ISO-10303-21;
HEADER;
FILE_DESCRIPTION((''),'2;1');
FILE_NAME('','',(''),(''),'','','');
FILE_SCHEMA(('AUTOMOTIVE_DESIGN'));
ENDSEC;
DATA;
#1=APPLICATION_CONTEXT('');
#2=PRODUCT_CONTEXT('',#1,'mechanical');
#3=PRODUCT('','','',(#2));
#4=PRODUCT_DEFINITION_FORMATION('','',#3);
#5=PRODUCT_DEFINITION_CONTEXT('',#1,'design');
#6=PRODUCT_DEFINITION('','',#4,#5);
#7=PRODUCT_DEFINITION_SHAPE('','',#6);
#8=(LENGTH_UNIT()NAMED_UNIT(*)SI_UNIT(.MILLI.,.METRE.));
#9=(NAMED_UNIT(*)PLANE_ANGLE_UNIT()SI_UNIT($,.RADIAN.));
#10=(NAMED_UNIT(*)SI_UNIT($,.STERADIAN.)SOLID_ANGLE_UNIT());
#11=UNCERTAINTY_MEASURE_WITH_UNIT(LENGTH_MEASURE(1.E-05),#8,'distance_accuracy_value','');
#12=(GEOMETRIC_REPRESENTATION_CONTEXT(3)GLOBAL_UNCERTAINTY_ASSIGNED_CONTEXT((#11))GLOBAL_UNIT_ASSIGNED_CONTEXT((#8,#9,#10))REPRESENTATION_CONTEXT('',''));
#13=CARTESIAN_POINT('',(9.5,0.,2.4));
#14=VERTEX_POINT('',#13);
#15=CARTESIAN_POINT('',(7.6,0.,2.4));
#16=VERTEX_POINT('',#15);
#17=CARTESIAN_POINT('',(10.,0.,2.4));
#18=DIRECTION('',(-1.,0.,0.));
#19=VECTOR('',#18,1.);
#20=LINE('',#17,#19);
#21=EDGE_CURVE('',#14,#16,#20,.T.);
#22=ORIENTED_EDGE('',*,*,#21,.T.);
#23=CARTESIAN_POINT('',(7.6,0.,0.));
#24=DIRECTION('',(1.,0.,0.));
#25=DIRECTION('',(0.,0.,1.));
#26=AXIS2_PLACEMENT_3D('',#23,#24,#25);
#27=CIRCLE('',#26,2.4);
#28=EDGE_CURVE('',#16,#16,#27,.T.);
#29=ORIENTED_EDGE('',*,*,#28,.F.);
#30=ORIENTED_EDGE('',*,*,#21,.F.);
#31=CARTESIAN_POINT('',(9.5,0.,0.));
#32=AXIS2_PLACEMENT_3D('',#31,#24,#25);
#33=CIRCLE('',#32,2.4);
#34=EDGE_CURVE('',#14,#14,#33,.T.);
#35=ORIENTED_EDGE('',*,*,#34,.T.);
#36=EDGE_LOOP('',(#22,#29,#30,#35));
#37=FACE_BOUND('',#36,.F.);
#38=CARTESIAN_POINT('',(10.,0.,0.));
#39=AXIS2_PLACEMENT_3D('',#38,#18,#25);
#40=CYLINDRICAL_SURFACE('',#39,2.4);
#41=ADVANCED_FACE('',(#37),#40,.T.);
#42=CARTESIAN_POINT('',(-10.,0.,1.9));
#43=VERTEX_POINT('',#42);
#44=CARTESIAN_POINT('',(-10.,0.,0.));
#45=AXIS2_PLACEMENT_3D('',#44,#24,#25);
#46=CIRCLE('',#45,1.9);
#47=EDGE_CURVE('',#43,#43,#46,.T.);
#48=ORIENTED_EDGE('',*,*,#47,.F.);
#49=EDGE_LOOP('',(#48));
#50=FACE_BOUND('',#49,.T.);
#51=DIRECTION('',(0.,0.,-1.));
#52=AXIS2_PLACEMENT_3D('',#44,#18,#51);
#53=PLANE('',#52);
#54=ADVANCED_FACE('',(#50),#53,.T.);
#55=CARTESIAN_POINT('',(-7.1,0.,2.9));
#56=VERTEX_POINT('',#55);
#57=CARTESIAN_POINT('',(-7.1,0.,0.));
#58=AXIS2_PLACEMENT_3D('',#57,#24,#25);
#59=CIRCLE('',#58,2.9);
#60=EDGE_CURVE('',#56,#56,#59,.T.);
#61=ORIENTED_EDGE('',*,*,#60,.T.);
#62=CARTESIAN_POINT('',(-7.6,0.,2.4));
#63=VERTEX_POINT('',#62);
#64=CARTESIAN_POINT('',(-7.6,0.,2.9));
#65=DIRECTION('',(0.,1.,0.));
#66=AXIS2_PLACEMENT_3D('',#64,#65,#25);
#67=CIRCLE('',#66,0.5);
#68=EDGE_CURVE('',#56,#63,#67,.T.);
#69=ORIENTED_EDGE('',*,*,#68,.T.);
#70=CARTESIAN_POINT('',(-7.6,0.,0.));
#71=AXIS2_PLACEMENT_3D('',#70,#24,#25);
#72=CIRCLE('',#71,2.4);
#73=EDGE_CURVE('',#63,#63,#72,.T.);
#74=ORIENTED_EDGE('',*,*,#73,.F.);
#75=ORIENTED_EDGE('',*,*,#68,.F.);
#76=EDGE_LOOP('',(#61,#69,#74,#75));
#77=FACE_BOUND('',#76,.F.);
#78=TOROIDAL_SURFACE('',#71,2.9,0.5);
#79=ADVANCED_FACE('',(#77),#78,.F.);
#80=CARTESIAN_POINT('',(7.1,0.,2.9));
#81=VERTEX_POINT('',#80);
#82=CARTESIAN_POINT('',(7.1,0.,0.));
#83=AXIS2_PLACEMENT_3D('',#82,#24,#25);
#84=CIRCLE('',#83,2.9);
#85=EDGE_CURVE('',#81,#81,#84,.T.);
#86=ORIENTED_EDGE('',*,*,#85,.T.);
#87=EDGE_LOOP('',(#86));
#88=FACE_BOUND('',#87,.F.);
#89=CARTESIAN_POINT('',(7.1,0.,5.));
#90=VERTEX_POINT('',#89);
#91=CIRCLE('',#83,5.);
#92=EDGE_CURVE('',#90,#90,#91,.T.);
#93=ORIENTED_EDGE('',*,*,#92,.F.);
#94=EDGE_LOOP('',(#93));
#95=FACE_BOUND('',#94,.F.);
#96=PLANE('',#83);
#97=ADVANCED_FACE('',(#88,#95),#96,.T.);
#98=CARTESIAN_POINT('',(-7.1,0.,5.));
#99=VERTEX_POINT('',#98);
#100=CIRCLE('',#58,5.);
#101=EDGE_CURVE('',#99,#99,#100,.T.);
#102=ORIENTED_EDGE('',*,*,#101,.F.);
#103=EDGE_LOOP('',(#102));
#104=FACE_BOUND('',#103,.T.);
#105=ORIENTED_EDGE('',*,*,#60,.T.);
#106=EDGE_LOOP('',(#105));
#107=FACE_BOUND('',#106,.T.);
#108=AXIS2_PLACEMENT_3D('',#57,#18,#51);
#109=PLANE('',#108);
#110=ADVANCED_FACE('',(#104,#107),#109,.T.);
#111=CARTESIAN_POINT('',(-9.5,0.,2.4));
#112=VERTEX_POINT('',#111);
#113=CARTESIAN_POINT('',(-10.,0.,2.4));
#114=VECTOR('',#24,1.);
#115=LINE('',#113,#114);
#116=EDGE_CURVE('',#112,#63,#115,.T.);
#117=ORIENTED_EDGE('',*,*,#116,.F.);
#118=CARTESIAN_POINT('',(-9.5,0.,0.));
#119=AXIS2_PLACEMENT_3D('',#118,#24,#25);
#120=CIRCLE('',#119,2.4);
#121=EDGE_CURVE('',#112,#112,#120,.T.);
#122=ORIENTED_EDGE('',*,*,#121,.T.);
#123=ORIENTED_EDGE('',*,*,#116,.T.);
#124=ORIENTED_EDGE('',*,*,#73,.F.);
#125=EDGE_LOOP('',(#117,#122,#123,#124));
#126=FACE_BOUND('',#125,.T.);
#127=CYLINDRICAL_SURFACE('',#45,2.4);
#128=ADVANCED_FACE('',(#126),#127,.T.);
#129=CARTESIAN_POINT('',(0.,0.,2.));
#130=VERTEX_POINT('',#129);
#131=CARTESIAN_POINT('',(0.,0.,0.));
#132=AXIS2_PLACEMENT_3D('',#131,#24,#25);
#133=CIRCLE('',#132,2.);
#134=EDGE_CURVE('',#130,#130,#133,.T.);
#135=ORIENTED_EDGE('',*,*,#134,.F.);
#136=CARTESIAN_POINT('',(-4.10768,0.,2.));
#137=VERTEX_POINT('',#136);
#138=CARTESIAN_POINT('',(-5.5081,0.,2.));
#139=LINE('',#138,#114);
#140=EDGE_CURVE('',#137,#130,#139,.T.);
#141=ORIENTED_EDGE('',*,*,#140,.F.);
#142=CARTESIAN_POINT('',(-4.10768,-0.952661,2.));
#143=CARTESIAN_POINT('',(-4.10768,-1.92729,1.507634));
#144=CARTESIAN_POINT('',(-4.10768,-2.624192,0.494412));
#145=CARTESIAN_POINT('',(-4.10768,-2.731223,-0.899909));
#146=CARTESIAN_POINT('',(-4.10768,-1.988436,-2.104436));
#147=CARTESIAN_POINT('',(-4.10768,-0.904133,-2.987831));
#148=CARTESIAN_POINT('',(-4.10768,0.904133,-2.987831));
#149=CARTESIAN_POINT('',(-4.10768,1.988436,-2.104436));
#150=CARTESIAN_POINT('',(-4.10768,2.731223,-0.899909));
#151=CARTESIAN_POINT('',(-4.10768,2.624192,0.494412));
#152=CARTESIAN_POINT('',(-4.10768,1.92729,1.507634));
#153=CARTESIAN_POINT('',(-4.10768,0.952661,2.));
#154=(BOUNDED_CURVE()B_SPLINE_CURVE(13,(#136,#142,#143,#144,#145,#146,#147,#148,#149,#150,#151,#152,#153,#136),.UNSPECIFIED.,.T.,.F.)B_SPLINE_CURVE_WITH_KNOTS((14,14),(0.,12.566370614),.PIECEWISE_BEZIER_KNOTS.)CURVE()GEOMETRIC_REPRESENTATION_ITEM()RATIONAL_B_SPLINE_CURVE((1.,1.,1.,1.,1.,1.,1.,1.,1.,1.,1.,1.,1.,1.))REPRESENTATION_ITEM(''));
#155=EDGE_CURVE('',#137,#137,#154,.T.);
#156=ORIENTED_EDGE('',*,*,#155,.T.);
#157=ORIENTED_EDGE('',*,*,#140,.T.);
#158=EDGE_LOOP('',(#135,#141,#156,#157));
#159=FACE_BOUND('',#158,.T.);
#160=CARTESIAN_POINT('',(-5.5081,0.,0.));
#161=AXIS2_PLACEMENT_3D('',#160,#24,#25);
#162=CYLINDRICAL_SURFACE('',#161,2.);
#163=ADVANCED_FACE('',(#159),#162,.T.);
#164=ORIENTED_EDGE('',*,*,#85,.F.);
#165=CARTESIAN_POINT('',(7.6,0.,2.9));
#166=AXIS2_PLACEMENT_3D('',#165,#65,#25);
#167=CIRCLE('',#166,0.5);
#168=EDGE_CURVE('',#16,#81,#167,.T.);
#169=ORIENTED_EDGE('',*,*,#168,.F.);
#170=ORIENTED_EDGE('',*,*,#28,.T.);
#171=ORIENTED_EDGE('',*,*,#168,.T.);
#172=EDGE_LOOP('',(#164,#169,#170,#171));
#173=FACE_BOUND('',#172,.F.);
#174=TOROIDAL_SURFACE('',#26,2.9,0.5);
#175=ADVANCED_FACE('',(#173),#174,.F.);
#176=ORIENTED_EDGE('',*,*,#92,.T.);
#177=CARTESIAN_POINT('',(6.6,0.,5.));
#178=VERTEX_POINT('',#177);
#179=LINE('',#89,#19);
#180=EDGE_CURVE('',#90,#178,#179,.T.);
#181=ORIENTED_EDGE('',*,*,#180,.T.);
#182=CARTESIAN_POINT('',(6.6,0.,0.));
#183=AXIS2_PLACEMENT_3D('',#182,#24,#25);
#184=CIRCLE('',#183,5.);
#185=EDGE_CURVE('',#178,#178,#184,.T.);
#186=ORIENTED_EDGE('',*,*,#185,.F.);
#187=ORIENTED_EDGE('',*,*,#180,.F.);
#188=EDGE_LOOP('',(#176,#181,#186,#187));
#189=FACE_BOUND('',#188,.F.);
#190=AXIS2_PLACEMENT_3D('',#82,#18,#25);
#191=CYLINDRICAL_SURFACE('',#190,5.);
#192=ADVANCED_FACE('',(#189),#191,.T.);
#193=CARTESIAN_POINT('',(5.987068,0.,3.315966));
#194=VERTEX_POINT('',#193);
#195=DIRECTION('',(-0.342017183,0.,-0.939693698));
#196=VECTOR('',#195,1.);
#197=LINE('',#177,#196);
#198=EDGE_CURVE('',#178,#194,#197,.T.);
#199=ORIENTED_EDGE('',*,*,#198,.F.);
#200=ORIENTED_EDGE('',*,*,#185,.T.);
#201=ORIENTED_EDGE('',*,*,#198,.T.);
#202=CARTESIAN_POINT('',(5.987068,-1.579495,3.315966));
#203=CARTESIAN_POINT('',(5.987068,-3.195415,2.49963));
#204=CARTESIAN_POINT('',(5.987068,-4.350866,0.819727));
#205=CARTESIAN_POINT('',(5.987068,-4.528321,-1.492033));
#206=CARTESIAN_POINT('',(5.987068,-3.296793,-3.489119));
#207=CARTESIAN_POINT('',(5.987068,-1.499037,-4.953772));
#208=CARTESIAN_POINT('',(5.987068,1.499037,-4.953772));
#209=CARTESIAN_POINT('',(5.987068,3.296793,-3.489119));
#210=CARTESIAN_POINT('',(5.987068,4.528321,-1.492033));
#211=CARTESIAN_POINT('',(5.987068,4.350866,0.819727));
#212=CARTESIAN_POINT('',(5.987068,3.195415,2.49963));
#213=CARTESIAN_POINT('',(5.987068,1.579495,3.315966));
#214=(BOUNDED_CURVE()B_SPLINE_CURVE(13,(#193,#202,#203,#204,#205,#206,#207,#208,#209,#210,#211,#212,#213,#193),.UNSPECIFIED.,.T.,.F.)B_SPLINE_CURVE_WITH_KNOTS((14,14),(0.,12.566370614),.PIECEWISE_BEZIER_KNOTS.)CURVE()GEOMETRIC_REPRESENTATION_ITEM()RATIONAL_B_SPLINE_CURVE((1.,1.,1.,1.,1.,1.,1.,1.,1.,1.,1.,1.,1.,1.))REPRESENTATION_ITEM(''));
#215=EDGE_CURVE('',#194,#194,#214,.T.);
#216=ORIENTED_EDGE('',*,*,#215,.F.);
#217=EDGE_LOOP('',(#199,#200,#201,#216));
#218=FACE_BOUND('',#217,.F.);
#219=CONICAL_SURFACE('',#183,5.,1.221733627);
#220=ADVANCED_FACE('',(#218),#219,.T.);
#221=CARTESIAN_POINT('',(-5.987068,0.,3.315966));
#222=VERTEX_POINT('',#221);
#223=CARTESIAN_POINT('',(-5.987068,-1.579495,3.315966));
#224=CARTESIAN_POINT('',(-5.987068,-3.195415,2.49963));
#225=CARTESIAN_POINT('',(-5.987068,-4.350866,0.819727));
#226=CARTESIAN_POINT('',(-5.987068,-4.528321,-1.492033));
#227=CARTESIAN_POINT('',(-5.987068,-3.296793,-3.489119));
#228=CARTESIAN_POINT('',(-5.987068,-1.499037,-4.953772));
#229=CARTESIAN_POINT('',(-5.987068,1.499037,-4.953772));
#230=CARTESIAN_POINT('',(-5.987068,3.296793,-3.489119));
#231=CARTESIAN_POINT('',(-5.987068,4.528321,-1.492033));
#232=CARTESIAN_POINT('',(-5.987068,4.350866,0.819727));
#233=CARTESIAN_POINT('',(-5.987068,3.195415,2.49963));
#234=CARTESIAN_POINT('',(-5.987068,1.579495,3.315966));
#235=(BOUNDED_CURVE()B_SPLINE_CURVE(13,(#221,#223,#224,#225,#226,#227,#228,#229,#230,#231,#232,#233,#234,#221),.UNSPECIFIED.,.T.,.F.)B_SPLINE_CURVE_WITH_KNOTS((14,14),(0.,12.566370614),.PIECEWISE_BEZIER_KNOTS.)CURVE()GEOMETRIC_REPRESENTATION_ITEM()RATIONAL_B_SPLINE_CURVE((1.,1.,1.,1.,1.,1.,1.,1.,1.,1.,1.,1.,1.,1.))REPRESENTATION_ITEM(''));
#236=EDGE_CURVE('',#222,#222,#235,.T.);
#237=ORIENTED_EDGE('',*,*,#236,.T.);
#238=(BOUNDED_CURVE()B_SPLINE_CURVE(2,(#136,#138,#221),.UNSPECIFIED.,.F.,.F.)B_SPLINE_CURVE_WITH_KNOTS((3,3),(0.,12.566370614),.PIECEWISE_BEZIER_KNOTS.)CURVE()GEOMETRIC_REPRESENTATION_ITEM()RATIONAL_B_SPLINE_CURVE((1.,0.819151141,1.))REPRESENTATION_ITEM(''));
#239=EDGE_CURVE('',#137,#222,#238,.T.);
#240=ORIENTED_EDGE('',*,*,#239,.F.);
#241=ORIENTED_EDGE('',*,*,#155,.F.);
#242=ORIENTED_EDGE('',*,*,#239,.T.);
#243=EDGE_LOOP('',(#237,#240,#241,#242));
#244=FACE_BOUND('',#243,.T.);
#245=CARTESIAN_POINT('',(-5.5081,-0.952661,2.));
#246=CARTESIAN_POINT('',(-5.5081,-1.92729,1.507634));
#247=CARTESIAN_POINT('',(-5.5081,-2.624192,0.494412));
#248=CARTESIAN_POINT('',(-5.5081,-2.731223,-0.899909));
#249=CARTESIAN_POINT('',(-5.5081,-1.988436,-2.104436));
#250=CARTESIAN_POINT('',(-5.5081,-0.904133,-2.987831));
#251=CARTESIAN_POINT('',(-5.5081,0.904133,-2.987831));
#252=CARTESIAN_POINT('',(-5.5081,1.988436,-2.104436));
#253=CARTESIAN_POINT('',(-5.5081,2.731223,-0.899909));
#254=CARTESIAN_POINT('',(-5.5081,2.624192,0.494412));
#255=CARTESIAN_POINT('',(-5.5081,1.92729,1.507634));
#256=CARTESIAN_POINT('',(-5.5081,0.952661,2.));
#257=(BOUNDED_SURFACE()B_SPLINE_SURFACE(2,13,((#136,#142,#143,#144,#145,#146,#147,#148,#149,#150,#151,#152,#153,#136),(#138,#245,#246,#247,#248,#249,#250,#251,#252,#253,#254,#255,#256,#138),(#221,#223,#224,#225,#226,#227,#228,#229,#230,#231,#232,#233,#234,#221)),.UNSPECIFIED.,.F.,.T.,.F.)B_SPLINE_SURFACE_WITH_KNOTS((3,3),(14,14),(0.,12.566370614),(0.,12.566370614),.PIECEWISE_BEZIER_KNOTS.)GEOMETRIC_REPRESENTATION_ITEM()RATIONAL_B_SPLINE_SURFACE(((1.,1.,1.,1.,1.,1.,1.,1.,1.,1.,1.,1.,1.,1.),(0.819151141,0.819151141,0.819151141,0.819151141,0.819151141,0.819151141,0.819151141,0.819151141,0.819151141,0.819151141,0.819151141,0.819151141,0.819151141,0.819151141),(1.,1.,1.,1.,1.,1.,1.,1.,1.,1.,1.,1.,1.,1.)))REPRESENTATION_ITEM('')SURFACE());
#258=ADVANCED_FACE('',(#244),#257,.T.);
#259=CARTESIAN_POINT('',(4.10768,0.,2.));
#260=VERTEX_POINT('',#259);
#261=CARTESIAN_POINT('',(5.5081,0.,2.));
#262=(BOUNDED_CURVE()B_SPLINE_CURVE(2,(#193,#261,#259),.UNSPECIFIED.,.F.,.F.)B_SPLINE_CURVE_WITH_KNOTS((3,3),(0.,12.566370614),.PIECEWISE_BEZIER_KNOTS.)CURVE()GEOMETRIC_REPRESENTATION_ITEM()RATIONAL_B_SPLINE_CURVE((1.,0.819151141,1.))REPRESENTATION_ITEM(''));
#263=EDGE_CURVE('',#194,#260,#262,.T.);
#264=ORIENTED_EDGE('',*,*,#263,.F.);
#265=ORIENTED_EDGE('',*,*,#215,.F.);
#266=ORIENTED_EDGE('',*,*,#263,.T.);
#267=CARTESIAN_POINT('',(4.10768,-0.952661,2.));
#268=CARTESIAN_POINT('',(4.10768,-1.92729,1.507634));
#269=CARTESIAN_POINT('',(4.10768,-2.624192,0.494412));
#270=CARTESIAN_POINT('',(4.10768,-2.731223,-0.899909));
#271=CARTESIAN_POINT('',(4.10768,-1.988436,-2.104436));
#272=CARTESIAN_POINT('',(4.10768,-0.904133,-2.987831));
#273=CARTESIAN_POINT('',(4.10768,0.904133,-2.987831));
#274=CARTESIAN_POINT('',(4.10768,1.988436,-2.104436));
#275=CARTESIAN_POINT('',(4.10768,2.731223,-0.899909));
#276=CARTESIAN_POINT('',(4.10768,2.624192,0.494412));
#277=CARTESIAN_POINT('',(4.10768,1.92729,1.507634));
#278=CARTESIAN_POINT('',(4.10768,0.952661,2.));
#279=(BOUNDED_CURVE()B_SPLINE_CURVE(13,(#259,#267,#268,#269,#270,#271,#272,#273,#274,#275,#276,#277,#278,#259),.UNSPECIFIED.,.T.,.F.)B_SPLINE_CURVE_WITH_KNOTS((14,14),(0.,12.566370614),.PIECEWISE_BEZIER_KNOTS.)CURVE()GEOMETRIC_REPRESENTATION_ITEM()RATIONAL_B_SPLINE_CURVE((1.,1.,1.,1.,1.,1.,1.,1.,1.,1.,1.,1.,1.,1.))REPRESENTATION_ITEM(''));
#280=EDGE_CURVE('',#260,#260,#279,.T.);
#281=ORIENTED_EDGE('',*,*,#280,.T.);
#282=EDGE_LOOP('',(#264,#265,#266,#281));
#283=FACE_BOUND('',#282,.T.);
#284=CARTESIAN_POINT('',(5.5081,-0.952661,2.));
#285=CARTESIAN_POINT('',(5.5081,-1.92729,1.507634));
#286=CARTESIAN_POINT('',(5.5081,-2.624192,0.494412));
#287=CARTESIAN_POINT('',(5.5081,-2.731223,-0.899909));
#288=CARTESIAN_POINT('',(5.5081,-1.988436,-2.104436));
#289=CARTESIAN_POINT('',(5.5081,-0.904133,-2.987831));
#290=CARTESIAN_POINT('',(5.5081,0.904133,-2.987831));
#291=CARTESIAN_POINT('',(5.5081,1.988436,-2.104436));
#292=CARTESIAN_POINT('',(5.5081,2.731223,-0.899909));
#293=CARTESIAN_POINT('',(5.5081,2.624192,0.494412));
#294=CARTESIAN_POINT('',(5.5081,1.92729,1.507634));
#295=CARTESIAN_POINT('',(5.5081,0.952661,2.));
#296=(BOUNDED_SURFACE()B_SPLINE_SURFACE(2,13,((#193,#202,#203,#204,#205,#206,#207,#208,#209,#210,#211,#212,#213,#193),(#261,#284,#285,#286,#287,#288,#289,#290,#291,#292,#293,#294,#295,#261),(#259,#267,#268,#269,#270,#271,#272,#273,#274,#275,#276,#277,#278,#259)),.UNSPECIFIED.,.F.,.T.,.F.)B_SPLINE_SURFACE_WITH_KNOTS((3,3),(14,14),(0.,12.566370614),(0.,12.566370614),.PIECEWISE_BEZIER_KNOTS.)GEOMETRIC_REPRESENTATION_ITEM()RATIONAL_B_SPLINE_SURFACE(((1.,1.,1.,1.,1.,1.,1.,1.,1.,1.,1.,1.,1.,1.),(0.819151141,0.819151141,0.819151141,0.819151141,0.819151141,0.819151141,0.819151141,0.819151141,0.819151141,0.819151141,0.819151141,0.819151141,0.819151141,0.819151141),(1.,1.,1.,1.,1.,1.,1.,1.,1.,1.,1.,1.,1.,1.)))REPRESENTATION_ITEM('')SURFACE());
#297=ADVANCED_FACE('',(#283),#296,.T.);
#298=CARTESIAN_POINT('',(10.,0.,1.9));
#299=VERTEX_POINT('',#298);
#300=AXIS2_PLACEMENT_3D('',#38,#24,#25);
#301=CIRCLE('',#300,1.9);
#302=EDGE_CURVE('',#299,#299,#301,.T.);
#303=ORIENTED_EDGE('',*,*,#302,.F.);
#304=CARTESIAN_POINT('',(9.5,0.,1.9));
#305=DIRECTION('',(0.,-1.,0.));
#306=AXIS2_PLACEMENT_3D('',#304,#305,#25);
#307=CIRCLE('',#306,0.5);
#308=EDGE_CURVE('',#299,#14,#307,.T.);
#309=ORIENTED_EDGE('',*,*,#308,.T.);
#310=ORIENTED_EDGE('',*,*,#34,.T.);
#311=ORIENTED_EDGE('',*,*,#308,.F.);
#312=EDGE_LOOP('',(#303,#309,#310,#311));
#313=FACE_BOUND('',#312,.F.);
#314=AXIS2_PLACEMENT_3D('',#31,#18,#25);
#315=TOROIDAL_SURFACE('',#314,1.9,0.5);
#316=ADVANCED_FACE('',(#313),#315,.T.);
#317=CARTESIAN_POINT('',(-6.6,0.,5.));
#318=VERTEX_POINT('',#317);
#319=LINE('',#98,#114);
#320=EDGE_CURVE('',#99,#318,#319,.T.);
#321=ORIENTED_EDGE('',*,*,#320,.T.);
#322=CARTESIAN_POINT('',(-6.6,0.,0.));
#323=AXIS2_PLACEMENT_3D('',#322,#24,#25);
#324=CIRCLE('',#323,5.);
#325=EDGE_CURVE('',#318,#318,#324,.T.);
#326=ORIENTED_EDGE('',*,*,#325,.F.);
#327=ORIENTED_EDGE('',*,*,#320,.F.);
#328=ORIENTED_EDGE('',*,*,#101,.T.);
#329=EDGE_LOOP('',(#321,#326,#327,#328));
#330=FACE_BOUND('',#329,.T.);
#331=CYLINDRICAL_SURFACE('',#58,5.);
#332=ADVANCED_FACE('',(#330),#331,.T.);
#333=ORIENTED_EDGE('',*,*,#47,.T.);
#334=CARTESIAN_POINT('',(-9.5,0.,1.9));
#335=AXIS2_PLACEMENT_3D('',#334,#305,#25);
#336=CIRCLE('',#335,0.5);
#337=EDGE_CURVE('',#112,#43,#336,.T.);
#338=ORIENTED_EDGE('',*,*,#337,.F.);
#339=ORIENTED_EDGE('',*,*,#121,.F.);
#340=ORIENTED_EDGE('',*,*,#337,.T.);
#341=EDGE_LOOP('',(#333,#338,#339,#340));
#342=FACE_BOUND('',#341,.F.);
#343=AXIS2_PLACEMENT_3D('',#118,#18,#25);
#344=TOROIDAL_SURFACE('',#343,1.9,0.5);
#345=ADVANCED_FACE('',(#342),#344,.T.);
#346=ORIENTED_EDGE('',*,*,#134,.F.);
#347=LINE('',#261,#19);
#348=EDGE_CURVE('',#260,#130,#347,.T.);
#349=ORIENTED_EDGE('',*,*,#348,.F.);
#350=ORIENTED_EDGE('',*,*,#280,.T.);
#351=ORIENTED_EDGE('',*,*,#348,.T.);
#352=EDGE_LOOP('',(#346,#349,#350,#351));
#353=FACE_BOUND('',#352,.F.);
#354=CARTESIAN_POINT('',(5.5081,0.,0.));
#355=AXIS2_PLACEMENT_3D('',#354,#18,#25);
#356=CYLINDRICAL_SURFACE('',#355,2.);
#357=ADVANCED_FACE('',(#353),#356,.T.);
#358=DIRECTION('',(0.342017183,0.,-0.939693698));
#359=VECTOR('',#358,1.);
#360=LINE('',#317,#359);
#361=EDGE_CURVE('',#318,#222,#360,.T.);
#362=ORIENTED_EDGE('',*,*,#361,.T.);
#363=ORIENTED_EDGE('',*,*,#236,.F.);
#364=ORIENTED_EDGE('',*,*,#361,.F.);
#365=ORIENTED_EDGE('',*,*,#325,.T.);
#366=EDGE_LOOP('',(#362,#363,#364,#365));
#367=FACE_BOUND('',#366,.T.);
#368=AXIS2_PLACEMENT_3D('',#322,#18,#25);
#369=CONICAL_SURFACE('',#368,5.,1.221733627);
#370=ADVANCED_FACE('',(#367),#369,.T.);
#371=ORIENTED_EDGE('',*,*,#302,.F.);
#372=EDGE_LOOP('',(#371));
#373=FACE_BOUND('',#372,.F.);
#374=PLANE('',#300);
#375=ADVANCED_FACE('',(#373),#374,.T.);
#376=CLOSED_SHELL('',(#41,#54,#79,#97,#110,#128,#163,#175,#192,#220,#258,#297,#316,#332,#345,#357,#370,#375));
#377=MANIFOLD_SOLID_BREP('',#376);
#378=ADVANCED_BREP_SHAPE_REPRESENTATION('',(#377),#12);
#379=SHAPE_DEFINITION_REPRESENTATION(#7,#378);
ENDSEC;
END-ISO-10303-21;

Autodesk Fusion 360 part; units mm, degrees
sketch "Sketch1" plane through (0, 0, 0) normal (0, 1, 0) x (1, 0, 0)
  line L0 (0, 0) -> (10, 0)
  line L1 (10, 0) -> (10, -2.4)
  line L2 (10, -2.4) -> (7.1, -2.4)
  line L3 (7.1, -2.4) -> (7.1, -5)
  line L4 (7.1, -5) -> (6.6, -5)
  line L5 (6.6, -5) -> (5.5081, -2)
  line L6 (5.5081, -2) -> (0, -2)
  line L7 (0, -2) -> (0, 0)
  dimension "d1" = 2.4
  dimension "d6" = 0.5
  dimension "d7" = 2
  dimension "d8" = 5
  dimension "d9" = 2.9
  dimension "d13" = 110
  dimension "d14" = 10
revolve "Revolve1" add sketch "Sketch1" angle 360 about axis through (0, 0, 0) along (1, 0, 0)
mirror "Mirror1" about plane through (0, 0, 0) normal (-1, 0, 0) of bodies 1 merged
fillet "Fillet2" radius 0.5 4 edges at (-7.1, -0.8679, -2.2376) (7.1, -0.8679, -2.2376) (10, -0.8679, -2.2376) (-10, -0.8679, -2.2376)
fillet "Fillet2" radius 2 2 edges at (5.5081, -0.7232, -1.8647) (-5.5081, -0.7232, -1.8647)
